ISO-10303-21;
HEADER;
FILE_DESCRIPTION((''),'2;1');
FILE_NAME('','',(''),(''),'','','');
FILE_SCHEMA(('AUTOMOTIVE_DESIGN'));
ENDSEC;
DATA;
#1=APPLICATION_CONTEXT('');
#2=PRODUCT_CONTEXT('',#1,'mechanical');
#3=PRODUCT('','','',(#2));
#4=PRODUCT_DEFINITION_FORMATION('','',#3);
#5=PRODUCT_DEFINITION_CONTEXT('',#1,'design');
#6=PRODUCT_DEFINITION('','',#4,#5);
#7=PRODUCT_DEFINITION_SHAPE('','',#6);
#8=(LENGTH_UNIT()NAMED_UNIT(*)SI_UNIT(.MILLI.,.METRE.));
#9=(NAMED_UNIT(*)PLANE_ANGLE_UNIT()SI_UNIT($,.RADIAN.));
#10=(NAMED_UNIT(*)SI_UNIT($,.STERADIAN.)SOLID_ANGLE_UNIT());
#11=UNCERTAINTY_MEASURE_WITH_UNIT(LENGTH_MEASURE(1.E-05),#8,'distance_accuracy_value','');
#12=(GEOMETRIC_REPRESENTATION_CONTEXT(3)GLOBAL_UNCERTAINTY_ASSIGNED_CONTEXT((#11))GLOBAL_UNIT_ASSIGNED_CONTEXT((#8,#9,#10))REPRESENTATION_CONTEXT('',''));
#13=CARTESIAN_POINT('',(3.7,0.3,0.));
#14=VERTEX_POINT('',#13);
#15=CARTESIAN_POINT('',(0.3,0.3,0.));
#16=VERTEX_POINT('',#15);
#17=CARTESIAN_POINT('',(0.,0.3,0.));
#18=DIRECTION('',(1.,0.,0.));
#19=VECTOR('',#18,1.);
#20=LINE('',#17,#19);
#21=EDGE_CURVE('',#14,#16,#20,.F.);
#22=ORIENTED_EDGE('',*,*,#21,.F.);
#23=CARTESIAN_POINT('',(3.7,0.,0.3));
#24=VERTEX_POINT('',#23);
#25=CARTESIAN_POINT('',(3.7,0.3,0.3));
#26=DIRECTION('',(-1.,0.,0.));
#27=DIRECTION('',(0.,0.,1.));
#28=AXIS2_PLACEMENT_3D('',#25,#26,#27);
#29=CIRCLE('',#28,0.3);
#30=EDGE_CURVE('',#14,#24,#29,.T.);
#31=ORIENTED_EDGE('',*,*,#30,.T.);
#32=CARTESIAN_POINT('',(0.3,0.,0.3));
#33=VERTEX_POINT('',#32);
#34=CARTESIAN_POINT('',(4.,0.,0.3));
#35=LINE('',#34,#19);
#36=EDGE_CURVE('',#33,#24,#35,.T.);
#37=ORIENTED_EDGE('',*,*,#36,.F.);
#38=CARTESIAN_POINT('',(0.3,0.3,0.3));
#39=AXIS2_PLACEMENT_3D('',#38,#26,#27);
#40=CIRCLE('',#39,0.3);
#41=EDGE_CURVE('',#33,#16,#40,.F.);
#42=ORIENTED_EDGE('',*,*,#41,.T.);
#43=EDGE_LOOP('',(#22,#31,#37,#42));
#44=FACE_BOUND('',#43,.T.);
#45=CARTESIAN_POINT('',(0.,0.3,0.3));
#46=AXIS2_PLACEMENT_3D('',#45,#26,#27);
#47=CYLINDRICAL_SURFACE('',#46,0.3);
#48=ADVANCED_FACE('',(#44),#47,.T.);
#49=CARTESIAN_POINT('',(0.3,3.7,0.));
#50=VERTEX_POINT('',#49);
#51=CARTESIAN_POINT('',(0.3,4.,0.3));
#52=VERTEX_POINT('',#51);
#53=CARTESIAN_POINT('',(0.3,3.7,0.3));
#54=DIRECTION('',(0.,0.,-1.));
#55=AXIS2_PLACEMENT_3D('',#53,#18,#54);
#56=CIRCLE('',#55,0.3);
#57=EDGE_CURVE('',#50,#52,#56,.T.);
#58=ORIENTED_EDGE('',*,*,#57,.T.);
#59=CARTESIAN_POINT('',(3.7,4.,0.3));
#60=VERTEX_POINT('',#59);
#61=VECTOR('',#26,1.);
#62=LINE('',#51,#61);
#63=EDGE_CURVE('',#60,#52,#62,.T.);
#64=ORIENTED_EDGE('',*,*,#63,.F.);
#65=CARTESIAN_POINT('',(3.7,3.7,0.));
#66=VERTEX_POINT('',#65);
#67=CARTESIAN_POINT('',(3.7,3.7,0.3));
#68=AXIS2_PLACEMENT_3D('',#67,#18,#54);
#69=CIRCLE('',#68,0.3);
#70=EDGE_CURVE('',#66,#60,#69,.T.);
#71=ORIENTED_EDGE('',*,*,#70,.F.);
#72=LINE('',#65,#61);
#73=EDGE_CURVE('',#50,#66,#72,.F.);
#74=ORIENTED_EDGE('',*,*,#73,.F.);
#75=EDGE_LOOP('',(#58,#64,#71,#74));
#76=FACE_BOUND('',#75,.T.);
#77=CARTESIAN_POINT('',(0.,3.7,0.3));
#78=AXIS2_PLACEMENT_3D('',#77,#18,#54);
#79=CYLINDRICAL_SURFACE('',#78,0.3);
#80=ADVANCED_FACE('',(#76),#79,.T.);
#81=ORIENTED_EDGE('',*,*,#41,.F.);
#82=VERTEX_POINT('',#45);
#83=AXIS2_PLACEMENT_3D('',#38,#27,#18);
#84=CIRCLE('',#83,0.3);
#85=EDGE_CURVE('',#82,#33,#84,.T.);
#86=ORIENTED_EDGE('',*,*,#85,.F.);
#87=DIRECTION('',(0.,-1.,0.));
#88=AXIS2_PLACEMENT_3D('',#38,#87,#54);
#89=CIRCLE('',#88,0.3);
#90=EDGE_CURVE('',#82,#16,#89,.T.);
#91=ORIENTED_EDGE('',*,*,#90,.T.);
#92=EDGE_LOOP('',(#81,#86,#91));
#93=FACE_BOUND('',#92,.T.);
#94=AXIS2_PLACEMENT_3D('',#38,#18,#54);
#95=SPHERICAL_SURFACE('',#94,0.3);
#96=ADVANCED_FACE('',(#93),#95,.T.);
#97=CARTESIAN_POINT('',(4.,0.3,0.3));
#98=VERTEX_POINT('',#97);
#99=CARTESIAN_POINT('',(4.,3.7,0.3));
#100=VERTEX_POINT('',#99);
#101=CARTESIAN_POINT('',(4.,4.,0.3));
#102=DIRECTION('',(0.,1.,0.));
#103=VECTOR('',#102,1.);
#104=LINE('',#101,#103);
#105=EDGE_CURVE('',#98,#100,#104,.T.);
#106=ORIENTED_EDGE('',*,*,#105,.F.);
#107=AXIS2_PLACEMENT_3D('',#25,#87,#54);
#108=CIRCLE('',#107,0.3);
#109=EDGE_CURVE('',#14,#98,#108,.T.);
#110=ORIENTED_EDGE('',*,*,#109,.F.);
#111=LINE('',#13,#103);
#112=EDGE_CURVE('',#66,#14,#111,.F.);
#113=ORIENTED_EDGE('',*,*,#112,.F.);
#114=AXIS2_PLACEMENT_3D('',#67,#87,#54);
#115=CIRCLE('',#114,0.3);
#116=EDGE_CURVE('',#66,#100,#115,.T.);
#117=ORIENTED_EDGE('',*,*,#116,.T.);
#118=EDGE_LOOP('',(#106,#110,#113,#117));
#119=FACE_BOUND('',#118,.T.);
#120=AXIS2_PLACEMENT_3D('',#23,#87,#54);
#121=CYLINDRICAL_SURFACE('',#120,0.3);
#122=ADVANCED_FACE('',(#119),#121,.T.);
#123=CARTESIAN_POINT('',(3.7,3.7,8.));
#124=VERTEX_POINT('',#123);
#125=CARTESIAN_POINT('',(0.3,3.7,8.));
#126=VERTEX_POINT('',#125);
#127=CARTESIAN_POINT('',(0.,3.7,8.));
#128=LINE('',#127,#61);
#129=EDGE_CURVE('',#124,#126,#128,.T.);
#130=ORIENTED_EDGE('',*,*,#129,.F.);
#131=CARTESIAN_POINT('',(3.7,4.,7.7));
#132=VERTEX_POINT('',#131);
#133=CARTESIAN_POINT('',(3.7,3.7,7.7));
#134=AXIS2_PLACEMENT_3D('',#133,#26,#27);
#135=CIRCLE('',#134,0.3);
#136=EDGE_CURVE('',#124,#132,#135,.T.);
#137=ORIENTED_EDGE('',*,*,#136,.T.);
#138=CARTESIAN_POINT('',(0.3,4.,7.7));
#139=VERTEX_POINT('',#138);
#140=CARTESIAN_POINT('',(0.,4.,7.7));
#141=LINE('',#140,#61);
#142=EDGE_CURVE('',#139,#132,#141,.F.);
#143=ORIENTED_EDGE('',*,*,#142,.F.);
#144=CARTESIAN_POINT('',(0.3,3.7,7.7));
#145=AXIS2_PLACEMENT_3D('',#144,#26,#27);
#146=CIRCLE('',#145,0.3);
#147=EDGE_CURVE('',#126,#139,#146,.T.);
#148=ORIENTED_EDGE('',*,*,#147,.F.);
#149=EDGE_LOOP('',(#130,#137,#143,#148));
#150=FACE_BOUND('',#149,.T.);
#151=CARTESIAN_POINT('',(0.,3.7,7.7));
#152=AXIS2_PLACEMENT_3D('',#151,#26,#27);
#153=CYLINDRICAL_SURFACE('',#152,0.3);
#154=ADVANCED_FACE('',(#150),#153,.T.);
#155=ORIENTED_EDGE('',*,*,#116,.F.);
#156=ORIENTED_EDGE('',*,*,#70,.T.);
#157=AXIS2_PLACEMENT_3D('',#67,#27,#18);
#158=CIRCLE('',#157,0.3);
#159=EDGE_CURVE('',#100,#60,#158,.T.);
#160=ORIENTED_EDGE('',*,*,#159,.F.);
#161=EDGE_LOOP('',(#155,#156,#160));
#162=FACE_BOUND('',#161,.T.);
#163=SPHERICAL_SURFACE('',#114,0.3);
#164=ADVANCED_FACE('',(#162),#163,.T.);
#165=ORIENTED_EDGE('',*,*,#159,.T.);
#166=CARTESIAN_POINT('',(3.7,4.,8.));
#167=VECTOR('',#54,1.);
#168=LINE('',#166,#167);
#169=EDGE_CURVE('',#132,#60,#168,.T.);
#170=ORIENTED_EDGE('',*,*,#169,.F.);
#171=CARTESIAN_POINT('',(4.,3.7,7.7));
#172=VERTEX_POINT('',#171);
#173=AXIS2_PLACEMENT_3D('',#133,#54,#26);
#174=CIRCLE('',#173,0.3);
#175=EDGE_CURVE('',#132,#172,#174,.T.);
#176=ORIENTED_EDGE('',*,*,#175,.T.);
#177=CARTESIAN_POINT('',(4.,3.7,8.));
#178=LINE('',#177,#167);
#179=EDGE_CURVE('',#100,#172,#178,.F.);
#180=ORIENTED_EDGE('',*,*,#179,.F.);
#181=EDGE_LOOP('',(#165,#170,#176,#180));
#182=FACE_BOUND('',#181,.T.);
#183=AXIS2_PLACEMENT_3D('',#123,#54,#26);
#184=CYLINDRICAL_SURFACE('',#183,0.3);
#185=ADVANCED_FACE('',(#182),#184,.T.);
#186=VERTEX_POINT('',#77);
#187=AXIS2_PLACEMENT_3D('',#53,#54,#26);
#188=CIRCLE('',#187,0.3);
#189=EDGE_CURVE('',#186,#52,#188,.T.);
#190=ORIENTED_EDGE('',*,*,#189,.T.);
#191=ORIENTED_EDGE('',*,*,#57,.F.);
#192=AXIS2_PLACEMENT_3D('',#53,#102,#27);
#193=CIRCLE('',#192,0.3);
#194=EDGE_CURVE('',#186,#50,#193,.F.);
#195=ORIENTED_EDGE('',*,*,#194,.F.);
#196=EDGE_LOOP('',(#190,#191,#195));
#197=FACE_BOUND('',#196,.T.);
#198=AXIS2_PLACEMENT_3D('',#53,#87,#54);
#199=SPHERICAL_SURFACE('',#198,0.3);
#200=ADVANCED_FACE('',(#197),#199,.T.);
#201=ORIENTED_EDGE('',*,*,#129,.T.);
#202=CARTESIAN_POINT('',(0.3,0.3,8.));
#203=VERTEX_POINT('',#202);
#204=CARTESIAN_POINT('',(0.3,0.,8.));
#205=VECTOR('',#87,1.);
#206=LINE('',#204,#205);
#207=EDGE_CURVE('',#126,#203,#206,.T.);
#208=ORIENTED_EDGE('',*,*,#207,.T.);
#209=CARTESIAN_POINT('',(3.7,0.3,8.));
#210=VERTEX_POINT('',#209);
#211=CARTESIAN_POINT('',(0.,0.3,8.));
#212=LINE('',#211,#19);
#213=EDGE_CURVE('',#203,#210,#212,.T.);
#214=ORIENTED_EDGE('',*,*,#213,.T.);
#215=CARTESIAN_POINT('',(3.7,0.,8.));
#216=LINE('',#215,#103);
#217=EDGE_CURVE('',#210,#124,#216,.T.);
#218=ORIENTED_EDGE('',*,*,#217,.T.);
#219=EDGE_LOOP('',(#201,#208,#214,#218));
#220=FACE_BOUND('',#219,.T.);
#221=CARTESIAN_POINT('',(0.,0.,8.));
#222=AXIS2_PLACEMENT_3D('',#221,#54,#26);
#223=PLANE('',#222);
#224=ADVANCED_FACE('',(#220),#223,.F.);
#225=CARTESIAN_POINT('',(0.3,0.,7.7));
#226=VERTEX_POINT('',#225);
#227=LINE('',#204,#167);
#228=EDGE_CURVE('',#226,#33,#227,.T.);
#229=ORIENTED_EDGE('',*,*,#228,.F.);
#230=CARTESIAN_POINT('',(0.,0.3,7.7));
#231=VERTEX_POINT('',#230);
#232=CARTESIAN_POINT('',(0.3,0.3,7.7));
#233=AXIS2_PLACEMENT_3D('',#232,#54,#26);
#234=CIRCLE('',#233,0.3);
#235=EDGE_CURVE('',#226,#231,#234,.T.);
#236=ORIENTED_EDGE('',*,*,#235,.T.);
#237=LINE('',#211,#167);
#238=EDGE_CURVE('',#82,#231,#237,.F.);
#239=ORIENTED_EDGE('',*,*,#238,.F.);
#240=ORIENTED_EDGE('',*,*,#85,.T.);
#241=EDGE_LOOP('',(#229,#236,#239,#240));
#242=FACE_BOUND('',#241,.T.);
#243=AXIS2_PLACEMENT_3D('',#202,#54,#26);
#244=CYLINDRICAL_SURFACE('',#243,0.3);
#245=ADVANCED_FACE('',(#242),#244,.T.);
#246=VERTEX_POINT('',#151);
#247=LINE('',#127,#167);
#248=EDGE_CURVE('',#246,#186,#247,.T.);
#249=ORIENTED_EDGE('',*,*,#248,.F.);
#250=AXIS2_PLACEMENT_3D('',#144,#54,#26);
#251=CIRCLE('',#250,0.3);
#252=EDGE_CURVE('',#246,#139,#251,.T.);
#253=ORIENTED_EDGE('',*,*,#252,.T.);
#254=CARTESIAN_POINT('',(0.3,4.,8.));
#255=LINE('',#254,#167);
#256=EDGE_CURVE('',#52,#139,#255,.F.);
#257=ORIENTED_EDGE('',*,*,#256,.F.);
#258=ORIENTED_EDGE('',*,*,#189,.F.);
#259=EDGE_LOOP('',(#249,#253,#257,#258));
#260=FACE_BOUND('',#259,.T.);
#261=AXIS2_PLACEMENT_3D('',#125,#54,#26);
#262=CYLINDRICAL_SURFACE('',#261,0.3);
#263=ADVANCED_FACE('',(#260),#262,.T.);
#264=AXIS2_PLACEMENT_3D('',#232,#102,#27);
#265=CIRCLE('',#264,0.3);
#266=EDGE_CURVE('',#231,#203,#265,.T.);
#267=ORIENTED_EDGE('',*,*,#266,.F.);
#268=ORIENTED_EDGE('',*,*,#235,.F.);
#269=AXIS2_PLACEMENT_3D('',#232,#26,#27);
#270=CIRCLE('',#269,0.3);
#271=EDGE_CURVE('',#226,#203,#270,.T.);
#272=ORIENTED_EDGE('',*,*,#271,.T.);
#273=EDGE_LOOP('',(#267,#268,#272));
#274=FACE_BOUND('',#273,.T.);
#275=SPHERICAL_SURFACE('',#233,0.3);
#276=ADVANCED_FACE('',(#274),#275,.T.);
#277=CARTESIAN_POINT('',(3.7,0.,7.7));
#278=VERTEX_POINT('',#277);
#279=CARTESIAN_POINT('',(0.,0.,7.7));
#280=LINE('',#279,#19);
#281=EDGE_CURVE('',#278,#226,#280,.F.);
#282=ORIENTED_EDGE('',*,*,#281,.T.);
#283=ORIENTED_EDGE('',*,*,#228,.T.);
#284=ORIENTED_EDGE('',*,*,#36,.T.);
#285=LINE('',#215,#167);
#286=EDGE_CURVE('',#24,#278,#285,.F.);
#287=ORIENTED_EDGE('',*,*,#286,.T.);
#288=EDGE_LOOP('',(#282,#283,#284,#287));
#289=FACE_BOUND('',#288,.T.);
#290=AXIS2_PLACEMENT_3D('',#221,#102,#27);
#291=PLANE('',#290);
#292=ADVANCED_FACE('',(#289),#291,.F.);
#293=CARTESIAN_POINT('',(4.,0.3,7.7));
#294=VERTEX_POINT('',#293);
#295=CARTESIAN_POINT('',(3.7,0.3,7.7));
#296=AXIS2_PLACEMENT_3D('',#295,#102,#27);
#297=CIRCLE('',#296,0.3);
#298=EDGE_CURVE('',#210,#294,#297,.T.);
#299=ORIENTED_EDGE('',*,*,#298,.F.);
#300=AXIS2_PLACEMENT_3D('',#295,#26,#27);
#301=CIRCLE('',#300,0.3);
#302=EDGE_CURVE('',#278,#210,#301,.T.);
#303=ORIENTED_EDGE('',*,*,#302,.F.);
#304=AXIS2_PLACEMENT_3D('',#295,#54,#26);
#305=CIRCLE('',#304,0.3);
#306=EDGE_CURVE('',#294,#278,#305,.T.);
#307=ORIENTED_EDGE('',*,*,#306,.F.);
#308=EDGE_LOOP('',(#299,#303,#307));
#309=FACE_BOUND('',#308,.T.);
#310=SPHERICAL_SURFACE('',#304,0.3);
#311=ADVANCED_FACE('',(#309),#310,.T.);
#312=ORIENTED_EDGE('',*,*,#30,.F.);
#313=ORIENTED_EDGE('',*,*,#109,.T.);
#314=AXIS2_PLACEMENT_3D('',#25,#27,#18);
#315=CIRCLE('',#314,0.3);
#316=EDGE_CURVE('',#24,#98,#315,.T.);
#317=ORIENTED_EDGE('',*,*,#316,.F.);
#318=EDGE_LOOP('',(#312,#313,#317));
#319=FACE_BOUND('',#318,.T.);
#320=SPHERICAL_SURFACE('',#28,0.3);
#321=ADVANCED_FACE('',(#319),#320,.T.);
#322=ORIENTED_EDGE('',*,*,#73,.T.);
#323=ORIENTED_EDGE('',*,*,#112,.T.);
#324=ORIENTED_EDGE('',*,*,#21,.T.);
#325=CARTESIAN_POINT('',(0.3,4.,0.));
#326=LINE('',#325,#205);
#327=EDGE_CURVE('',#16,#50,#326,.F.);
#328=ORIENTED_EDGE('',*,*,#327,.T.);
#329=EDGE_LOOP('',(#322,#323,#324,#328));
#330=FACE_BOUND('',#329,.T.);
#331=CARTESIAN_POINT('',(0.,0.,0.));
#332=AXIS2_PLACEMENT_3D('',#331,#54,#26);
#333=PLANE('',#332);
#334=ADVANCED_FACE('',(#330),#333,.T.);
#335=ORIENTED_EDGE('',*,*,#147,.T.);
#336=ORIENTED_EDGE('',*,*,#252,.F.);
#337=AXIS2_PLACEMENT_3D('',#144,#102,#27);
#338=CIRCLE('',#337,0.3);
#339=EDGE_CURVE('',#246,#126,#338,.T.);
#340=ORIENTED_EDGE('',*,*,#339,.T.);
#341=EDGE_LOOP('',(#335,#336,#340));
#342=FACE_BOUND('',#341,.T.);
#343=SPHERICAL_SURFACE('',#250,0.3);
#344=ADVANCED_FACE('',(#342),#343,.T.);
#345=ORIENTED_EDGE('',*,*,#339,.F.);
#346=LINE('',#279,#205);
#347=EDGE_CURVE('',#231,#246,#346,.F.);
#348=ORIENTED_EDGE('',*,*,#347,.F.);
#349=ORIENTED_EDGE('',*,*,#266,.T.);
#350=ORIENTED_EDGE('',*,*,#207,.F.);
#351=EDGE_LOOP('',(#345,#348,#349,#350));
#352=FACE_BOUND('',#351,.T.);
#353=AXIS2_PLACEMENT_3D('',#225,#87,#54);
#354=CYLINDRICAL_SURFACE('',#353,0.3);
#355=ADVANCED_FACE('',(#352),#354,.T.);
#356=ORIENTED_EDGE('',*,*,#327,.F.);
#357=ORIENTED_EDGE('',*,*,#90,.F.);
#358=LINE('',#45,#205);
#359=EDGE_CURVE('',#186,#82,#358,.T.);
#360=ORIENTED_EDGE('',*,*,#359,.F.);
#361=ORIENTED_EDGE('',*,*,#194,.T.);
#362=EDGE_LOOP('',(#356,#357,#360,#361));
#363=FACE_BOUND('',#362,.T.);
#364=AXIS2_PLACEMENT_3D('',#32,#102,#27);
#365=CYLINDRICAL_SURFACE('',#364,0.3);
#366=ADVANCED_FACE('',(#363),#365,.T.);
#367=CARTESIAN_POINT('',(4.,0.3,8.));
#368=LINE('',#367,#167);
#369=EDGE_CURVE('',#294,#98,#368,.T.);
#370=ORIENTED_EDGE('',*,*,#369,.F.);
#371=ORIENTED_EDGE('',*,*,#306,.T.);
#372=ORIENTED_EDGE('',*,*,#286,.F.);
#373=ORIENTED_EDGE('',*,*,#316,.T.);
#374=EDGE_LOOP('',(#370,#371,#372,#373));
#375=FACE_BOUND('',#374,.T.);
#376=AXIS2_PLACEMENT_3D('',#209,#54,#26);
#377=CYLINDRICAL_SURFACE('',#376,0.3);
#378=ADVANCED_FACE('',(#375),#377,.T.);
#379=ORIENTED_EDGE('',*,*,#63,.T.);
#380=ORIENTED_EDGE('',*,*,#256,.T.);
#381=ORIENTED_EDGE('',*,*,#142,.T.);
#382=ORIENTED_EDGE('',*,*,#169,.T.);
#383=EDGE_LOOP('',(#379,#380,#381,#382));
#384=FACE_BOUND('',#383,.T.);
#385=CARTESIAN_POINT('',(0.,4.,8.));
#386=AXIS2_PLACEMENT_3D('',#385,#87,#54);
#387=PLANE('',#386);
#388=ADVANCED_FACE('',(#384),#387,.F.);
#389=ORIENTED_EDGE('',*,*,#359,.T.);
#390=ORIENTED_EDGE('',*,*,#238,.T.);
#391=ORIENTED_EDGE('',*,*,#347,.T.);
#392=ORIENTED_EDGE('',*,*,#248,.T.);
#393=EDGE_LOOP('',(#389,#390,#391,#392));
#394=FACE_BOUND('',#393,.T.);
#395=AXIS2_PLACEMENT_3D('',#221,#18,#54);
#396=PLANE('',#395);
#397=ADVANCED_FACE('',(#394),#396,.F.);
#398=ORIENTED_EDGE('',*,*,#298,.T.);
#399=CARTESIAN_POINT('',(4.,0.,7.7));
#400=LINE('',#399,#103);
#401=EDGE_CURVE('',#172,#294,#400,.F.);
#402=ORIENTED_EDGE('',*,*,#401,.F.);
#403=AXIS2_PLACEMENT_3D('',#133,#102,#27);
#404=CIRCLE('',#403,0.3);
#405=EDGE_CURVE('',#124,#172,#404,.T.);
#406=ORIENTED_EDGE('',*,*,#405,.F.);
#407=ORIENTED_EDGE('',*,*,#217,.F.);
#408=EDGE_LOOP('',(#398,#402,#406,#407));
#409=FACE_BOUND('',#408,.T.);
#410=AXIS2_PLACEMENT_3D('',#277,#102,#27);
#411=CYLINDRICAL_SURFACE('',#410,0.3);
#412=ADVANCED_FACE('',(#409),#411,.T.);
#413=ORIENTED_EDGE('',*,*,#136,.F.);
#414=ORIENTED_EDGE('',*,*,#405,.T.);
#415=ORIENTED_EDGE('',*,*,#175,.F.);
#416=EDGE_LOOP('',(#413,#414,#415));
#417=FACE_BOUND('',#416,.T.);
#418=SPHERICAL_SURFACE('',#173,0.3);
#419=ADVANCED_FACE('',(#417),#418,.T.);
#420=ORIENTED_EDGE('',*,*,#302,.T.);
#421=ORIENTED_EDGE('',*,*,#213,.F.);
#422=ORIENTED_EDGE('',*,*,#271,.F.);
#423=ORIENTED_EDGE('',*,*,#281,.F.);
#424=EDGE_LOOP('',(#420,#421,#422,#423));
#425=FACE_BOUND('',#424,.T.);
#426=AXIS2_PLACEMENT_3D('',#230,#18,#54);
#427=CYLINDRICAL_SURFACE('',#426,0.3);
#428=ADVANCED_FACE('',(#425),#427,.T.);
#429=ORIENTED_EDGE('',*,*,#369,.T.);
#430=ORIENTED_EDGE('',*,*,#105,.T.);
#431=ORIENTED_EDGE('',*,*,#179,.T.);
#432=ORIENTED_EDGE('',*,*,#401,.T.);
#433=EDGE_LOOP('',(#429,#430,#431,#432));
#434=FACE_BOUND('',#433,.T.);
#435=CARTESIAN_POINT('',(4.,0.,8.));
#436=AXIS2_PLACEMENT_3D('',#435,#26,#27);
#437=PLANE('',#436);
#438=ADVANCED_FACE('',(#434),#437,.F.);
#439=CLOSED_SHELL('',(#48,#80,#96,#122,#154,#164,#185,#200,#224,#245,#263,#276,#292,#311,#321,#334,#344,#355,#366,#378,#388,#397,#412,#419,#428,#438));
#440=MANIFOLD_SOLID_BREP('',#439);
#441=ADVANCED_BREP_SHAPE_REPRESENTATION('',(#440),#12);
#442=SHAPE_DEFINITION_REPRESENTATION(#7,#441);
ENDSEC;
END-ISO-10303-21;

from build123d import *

# Parameters (mm, degrees)
SKETCH_1_W      = 4
SKETCH_1_H      = 4
EXTRUDE_1_DEPTH = 8
FILLET_2_R      = 0.3
FILLET_3_R      = 0.3
FILLET_4_R      = 0.3
FILLET_5_R      = 0.3
FILLET_6_R      = 0.3


with BuildPart() as part:
    # 草图1 → 凸台-拉伸1 (new body)
    with BuildSketch(Plane.XY):
        with Locations((2, 2)):
            Rectangle(SKETCH_1_W, SKETCH_1_H)
    extrude(amount=EXTRUDE_1_DEPTH)

    # 圆角2
    fillet_2_edges = [part.edges().sort_by_distance(p)[0] for p in [
        (2, 0, 0),
    ]]
    fillet(fillet_2_edges, radius=FILLET_2_R)

    # 圆角3
    fillet_3_edges = [part.edges().sort_by_distance(p)[0] for p in [
        (4, 2.15, 0),
        (4, 0.087867966, 0.087867966),
        (4, 0, 4.15),
    ]]
    fillet(fillet_3_edges, radius=FILLET_3_R)

    # 圆角4
    fillet_4_edges = [part.edges().sort_by_distance(p)[0] for p in [
        (0, 0.087867966, 0.087867966),
        (0, 2.15, 0),
        (0, 0, 4.15),
    ]]
    fillet(fillet_4_edges, radius=FILLET_4_R)

    # 圆角5
    fillet_5_edges = [part.edges().sort_by_distance(p)[0] for p in [
        (2, 4, 0),
        (3.912132034, 4, 0.087867966),
        (0.087867966, 4, 0.087867966),
        (0, 4, 4.15),
        (4, 4, 4.15),
    ]]
    fillet(fillet_5_edges, radius=FILLET_5_R)

    # 圆角6
    fillet_6_edges = [part.edges().sort_by_distance(p)[0] for p in [
        (4, 2, 8),
        (3.912132034, 0.087867966, 8),
        (2, 0, 8),
        (0.087867966, 0.087867966, 8),
        (2, 4, 8),
        (0, 2, 8),
        (0.087867966, 3.912132034, 8),
        (3.912132034, 3.912132034, 8),
    ]]
    fillet(fillet_6_edges, radius=FILLET_6_R)


solid = part.part
